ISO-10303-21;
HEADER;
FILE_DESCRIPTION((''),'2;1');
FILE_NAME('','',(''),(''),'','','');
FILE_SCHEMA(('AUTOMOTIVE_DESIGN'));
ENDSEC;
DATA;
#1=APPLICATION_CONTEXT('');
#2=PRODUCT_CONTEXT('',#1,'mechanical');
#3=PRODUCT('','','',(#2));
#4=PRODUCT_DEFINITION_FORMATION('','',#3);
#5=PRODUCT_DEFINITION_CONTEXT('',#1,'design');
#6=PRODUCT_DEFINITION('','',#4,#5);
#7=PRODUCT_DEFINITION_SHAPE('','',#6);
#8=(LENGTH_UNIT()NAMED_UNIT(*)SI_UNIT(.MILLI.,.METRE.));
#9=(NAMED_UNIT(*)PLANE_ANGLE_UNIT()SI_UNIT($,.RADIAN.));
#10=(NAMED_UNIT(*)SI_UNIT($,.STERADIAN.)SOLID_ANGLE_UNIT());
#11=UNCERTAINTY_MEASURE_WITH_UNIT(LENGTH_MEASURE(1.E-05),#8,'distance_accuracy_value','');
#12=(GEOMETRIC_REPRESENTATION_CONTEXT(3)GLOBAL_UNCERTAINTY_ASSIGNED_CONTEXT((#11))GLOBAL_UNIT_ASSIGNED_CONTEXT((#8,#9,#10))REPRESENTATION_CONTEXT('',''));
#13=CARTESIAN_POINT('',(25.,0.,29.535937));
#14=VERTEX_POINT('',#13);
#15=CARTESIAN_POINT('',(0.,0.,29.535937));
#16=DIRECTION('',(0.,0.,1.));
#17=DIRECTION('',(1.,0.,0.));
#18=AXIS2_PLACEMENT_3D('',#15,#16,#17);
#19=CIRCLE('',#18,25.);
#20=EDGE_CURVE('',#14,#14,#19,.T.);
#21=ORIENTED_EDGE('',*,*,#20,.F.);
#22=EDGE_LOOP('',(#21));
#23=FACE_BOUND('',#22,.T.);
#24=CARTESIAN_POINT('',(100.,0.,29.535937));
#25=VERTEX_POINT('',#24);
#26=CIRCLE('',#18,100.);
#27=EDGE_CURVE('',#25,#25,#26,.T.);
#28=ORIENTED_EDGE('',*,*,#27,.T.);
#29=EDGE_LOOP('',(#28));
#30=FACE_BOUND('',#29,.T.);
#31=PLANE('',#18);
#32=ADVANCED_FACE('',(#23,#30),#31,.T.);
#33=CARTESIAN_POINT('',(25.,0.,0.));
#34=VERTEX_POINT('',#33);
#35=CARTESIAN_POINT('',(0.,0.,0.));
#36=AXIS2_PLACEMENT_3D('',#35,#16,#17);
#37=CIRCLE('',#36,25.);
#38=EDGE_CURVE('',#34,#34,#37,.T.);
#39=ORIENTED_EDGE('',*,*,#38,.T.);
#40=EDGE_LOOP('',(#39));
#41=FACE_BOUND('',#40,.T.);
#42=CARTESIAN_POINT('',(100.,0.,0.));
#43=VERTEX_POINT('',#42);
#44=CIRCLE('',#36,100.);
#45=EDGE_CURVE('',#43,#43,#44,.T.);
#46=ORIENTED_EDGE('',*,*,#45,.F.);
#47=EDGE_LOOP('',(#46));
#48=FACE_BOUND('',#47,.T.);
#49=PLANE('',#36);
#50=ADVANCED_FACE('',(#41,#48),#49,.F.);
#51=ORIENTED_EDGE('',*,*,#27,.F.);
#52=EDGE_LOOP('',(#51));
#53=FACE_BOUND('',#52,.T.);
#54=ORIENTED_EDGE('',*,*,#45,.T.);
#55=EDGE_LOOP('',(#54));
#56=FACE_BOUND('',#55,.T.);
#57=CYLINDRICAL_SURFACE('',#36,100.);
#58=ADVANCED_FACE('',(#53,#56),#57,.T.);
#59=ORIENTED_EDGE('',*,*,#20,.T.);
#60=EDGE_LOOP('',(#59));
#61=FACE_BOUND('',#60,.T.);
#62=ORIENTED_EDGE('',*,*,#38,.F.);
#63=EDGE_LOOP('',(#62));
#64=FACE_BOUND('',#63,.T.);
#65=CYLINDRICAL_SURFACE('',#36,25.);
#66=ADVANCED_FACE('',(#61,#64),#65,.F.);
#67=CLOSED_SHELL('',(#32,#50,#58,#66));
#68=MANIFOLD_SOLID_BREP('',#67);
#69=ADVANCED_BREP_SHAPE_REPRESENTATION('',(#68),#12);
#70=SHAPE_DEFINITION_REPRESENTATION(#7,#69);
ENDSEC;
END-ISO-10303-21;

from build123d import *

# Parameters (mm, degrees)
SKETCH_1_R          = 150
EXTRUDE_1_DEPTH     = 29.535936744
SKETCH_2_R          = 25
CUT_EXTRUDE_2_DEPTH = 29.535936744
CUT_EXTRUDE_START   = -29.535936744
SKETCH_3_R          = 150
SKETCH_3_R_2        = 100
CUT_EXTRUDE_3_DEPTH = 29.535936744


with BuildPart() as part:
    # 草图1 → 凸台-拉伸1 (new body)
    with BuildSketch(Plane.XY):
        Circle(SKETCH_1_R)
    extrude(amount=EXTRUDE_1_DEPTH)

    # 草图2 → 切除-拉伸2 (cut)
    with BuildSketch(Plane.XY.offset(29.535936744)):
        Circle(SKETCH_2_R)
    extrude(amount=-CUT_EXTRUDE_2_DEPTH, mode=Mode.SUBTRACT)

    # 草图3 → 切除-拉伸3 (cut)
    with BuildSketch(Plane.XY.offset(29.535936744).offset(CUT_EXTRUDE_START)):
        Circle(SKETCH_3_R)
        Circle(SKETCH_3_R_2, mode=Mode.SUBTRACT)
    extrude(amount=CUT_EXTRUDE_3_DEPTH, mode=Mode.SUBTRACT)


solid = part.part
